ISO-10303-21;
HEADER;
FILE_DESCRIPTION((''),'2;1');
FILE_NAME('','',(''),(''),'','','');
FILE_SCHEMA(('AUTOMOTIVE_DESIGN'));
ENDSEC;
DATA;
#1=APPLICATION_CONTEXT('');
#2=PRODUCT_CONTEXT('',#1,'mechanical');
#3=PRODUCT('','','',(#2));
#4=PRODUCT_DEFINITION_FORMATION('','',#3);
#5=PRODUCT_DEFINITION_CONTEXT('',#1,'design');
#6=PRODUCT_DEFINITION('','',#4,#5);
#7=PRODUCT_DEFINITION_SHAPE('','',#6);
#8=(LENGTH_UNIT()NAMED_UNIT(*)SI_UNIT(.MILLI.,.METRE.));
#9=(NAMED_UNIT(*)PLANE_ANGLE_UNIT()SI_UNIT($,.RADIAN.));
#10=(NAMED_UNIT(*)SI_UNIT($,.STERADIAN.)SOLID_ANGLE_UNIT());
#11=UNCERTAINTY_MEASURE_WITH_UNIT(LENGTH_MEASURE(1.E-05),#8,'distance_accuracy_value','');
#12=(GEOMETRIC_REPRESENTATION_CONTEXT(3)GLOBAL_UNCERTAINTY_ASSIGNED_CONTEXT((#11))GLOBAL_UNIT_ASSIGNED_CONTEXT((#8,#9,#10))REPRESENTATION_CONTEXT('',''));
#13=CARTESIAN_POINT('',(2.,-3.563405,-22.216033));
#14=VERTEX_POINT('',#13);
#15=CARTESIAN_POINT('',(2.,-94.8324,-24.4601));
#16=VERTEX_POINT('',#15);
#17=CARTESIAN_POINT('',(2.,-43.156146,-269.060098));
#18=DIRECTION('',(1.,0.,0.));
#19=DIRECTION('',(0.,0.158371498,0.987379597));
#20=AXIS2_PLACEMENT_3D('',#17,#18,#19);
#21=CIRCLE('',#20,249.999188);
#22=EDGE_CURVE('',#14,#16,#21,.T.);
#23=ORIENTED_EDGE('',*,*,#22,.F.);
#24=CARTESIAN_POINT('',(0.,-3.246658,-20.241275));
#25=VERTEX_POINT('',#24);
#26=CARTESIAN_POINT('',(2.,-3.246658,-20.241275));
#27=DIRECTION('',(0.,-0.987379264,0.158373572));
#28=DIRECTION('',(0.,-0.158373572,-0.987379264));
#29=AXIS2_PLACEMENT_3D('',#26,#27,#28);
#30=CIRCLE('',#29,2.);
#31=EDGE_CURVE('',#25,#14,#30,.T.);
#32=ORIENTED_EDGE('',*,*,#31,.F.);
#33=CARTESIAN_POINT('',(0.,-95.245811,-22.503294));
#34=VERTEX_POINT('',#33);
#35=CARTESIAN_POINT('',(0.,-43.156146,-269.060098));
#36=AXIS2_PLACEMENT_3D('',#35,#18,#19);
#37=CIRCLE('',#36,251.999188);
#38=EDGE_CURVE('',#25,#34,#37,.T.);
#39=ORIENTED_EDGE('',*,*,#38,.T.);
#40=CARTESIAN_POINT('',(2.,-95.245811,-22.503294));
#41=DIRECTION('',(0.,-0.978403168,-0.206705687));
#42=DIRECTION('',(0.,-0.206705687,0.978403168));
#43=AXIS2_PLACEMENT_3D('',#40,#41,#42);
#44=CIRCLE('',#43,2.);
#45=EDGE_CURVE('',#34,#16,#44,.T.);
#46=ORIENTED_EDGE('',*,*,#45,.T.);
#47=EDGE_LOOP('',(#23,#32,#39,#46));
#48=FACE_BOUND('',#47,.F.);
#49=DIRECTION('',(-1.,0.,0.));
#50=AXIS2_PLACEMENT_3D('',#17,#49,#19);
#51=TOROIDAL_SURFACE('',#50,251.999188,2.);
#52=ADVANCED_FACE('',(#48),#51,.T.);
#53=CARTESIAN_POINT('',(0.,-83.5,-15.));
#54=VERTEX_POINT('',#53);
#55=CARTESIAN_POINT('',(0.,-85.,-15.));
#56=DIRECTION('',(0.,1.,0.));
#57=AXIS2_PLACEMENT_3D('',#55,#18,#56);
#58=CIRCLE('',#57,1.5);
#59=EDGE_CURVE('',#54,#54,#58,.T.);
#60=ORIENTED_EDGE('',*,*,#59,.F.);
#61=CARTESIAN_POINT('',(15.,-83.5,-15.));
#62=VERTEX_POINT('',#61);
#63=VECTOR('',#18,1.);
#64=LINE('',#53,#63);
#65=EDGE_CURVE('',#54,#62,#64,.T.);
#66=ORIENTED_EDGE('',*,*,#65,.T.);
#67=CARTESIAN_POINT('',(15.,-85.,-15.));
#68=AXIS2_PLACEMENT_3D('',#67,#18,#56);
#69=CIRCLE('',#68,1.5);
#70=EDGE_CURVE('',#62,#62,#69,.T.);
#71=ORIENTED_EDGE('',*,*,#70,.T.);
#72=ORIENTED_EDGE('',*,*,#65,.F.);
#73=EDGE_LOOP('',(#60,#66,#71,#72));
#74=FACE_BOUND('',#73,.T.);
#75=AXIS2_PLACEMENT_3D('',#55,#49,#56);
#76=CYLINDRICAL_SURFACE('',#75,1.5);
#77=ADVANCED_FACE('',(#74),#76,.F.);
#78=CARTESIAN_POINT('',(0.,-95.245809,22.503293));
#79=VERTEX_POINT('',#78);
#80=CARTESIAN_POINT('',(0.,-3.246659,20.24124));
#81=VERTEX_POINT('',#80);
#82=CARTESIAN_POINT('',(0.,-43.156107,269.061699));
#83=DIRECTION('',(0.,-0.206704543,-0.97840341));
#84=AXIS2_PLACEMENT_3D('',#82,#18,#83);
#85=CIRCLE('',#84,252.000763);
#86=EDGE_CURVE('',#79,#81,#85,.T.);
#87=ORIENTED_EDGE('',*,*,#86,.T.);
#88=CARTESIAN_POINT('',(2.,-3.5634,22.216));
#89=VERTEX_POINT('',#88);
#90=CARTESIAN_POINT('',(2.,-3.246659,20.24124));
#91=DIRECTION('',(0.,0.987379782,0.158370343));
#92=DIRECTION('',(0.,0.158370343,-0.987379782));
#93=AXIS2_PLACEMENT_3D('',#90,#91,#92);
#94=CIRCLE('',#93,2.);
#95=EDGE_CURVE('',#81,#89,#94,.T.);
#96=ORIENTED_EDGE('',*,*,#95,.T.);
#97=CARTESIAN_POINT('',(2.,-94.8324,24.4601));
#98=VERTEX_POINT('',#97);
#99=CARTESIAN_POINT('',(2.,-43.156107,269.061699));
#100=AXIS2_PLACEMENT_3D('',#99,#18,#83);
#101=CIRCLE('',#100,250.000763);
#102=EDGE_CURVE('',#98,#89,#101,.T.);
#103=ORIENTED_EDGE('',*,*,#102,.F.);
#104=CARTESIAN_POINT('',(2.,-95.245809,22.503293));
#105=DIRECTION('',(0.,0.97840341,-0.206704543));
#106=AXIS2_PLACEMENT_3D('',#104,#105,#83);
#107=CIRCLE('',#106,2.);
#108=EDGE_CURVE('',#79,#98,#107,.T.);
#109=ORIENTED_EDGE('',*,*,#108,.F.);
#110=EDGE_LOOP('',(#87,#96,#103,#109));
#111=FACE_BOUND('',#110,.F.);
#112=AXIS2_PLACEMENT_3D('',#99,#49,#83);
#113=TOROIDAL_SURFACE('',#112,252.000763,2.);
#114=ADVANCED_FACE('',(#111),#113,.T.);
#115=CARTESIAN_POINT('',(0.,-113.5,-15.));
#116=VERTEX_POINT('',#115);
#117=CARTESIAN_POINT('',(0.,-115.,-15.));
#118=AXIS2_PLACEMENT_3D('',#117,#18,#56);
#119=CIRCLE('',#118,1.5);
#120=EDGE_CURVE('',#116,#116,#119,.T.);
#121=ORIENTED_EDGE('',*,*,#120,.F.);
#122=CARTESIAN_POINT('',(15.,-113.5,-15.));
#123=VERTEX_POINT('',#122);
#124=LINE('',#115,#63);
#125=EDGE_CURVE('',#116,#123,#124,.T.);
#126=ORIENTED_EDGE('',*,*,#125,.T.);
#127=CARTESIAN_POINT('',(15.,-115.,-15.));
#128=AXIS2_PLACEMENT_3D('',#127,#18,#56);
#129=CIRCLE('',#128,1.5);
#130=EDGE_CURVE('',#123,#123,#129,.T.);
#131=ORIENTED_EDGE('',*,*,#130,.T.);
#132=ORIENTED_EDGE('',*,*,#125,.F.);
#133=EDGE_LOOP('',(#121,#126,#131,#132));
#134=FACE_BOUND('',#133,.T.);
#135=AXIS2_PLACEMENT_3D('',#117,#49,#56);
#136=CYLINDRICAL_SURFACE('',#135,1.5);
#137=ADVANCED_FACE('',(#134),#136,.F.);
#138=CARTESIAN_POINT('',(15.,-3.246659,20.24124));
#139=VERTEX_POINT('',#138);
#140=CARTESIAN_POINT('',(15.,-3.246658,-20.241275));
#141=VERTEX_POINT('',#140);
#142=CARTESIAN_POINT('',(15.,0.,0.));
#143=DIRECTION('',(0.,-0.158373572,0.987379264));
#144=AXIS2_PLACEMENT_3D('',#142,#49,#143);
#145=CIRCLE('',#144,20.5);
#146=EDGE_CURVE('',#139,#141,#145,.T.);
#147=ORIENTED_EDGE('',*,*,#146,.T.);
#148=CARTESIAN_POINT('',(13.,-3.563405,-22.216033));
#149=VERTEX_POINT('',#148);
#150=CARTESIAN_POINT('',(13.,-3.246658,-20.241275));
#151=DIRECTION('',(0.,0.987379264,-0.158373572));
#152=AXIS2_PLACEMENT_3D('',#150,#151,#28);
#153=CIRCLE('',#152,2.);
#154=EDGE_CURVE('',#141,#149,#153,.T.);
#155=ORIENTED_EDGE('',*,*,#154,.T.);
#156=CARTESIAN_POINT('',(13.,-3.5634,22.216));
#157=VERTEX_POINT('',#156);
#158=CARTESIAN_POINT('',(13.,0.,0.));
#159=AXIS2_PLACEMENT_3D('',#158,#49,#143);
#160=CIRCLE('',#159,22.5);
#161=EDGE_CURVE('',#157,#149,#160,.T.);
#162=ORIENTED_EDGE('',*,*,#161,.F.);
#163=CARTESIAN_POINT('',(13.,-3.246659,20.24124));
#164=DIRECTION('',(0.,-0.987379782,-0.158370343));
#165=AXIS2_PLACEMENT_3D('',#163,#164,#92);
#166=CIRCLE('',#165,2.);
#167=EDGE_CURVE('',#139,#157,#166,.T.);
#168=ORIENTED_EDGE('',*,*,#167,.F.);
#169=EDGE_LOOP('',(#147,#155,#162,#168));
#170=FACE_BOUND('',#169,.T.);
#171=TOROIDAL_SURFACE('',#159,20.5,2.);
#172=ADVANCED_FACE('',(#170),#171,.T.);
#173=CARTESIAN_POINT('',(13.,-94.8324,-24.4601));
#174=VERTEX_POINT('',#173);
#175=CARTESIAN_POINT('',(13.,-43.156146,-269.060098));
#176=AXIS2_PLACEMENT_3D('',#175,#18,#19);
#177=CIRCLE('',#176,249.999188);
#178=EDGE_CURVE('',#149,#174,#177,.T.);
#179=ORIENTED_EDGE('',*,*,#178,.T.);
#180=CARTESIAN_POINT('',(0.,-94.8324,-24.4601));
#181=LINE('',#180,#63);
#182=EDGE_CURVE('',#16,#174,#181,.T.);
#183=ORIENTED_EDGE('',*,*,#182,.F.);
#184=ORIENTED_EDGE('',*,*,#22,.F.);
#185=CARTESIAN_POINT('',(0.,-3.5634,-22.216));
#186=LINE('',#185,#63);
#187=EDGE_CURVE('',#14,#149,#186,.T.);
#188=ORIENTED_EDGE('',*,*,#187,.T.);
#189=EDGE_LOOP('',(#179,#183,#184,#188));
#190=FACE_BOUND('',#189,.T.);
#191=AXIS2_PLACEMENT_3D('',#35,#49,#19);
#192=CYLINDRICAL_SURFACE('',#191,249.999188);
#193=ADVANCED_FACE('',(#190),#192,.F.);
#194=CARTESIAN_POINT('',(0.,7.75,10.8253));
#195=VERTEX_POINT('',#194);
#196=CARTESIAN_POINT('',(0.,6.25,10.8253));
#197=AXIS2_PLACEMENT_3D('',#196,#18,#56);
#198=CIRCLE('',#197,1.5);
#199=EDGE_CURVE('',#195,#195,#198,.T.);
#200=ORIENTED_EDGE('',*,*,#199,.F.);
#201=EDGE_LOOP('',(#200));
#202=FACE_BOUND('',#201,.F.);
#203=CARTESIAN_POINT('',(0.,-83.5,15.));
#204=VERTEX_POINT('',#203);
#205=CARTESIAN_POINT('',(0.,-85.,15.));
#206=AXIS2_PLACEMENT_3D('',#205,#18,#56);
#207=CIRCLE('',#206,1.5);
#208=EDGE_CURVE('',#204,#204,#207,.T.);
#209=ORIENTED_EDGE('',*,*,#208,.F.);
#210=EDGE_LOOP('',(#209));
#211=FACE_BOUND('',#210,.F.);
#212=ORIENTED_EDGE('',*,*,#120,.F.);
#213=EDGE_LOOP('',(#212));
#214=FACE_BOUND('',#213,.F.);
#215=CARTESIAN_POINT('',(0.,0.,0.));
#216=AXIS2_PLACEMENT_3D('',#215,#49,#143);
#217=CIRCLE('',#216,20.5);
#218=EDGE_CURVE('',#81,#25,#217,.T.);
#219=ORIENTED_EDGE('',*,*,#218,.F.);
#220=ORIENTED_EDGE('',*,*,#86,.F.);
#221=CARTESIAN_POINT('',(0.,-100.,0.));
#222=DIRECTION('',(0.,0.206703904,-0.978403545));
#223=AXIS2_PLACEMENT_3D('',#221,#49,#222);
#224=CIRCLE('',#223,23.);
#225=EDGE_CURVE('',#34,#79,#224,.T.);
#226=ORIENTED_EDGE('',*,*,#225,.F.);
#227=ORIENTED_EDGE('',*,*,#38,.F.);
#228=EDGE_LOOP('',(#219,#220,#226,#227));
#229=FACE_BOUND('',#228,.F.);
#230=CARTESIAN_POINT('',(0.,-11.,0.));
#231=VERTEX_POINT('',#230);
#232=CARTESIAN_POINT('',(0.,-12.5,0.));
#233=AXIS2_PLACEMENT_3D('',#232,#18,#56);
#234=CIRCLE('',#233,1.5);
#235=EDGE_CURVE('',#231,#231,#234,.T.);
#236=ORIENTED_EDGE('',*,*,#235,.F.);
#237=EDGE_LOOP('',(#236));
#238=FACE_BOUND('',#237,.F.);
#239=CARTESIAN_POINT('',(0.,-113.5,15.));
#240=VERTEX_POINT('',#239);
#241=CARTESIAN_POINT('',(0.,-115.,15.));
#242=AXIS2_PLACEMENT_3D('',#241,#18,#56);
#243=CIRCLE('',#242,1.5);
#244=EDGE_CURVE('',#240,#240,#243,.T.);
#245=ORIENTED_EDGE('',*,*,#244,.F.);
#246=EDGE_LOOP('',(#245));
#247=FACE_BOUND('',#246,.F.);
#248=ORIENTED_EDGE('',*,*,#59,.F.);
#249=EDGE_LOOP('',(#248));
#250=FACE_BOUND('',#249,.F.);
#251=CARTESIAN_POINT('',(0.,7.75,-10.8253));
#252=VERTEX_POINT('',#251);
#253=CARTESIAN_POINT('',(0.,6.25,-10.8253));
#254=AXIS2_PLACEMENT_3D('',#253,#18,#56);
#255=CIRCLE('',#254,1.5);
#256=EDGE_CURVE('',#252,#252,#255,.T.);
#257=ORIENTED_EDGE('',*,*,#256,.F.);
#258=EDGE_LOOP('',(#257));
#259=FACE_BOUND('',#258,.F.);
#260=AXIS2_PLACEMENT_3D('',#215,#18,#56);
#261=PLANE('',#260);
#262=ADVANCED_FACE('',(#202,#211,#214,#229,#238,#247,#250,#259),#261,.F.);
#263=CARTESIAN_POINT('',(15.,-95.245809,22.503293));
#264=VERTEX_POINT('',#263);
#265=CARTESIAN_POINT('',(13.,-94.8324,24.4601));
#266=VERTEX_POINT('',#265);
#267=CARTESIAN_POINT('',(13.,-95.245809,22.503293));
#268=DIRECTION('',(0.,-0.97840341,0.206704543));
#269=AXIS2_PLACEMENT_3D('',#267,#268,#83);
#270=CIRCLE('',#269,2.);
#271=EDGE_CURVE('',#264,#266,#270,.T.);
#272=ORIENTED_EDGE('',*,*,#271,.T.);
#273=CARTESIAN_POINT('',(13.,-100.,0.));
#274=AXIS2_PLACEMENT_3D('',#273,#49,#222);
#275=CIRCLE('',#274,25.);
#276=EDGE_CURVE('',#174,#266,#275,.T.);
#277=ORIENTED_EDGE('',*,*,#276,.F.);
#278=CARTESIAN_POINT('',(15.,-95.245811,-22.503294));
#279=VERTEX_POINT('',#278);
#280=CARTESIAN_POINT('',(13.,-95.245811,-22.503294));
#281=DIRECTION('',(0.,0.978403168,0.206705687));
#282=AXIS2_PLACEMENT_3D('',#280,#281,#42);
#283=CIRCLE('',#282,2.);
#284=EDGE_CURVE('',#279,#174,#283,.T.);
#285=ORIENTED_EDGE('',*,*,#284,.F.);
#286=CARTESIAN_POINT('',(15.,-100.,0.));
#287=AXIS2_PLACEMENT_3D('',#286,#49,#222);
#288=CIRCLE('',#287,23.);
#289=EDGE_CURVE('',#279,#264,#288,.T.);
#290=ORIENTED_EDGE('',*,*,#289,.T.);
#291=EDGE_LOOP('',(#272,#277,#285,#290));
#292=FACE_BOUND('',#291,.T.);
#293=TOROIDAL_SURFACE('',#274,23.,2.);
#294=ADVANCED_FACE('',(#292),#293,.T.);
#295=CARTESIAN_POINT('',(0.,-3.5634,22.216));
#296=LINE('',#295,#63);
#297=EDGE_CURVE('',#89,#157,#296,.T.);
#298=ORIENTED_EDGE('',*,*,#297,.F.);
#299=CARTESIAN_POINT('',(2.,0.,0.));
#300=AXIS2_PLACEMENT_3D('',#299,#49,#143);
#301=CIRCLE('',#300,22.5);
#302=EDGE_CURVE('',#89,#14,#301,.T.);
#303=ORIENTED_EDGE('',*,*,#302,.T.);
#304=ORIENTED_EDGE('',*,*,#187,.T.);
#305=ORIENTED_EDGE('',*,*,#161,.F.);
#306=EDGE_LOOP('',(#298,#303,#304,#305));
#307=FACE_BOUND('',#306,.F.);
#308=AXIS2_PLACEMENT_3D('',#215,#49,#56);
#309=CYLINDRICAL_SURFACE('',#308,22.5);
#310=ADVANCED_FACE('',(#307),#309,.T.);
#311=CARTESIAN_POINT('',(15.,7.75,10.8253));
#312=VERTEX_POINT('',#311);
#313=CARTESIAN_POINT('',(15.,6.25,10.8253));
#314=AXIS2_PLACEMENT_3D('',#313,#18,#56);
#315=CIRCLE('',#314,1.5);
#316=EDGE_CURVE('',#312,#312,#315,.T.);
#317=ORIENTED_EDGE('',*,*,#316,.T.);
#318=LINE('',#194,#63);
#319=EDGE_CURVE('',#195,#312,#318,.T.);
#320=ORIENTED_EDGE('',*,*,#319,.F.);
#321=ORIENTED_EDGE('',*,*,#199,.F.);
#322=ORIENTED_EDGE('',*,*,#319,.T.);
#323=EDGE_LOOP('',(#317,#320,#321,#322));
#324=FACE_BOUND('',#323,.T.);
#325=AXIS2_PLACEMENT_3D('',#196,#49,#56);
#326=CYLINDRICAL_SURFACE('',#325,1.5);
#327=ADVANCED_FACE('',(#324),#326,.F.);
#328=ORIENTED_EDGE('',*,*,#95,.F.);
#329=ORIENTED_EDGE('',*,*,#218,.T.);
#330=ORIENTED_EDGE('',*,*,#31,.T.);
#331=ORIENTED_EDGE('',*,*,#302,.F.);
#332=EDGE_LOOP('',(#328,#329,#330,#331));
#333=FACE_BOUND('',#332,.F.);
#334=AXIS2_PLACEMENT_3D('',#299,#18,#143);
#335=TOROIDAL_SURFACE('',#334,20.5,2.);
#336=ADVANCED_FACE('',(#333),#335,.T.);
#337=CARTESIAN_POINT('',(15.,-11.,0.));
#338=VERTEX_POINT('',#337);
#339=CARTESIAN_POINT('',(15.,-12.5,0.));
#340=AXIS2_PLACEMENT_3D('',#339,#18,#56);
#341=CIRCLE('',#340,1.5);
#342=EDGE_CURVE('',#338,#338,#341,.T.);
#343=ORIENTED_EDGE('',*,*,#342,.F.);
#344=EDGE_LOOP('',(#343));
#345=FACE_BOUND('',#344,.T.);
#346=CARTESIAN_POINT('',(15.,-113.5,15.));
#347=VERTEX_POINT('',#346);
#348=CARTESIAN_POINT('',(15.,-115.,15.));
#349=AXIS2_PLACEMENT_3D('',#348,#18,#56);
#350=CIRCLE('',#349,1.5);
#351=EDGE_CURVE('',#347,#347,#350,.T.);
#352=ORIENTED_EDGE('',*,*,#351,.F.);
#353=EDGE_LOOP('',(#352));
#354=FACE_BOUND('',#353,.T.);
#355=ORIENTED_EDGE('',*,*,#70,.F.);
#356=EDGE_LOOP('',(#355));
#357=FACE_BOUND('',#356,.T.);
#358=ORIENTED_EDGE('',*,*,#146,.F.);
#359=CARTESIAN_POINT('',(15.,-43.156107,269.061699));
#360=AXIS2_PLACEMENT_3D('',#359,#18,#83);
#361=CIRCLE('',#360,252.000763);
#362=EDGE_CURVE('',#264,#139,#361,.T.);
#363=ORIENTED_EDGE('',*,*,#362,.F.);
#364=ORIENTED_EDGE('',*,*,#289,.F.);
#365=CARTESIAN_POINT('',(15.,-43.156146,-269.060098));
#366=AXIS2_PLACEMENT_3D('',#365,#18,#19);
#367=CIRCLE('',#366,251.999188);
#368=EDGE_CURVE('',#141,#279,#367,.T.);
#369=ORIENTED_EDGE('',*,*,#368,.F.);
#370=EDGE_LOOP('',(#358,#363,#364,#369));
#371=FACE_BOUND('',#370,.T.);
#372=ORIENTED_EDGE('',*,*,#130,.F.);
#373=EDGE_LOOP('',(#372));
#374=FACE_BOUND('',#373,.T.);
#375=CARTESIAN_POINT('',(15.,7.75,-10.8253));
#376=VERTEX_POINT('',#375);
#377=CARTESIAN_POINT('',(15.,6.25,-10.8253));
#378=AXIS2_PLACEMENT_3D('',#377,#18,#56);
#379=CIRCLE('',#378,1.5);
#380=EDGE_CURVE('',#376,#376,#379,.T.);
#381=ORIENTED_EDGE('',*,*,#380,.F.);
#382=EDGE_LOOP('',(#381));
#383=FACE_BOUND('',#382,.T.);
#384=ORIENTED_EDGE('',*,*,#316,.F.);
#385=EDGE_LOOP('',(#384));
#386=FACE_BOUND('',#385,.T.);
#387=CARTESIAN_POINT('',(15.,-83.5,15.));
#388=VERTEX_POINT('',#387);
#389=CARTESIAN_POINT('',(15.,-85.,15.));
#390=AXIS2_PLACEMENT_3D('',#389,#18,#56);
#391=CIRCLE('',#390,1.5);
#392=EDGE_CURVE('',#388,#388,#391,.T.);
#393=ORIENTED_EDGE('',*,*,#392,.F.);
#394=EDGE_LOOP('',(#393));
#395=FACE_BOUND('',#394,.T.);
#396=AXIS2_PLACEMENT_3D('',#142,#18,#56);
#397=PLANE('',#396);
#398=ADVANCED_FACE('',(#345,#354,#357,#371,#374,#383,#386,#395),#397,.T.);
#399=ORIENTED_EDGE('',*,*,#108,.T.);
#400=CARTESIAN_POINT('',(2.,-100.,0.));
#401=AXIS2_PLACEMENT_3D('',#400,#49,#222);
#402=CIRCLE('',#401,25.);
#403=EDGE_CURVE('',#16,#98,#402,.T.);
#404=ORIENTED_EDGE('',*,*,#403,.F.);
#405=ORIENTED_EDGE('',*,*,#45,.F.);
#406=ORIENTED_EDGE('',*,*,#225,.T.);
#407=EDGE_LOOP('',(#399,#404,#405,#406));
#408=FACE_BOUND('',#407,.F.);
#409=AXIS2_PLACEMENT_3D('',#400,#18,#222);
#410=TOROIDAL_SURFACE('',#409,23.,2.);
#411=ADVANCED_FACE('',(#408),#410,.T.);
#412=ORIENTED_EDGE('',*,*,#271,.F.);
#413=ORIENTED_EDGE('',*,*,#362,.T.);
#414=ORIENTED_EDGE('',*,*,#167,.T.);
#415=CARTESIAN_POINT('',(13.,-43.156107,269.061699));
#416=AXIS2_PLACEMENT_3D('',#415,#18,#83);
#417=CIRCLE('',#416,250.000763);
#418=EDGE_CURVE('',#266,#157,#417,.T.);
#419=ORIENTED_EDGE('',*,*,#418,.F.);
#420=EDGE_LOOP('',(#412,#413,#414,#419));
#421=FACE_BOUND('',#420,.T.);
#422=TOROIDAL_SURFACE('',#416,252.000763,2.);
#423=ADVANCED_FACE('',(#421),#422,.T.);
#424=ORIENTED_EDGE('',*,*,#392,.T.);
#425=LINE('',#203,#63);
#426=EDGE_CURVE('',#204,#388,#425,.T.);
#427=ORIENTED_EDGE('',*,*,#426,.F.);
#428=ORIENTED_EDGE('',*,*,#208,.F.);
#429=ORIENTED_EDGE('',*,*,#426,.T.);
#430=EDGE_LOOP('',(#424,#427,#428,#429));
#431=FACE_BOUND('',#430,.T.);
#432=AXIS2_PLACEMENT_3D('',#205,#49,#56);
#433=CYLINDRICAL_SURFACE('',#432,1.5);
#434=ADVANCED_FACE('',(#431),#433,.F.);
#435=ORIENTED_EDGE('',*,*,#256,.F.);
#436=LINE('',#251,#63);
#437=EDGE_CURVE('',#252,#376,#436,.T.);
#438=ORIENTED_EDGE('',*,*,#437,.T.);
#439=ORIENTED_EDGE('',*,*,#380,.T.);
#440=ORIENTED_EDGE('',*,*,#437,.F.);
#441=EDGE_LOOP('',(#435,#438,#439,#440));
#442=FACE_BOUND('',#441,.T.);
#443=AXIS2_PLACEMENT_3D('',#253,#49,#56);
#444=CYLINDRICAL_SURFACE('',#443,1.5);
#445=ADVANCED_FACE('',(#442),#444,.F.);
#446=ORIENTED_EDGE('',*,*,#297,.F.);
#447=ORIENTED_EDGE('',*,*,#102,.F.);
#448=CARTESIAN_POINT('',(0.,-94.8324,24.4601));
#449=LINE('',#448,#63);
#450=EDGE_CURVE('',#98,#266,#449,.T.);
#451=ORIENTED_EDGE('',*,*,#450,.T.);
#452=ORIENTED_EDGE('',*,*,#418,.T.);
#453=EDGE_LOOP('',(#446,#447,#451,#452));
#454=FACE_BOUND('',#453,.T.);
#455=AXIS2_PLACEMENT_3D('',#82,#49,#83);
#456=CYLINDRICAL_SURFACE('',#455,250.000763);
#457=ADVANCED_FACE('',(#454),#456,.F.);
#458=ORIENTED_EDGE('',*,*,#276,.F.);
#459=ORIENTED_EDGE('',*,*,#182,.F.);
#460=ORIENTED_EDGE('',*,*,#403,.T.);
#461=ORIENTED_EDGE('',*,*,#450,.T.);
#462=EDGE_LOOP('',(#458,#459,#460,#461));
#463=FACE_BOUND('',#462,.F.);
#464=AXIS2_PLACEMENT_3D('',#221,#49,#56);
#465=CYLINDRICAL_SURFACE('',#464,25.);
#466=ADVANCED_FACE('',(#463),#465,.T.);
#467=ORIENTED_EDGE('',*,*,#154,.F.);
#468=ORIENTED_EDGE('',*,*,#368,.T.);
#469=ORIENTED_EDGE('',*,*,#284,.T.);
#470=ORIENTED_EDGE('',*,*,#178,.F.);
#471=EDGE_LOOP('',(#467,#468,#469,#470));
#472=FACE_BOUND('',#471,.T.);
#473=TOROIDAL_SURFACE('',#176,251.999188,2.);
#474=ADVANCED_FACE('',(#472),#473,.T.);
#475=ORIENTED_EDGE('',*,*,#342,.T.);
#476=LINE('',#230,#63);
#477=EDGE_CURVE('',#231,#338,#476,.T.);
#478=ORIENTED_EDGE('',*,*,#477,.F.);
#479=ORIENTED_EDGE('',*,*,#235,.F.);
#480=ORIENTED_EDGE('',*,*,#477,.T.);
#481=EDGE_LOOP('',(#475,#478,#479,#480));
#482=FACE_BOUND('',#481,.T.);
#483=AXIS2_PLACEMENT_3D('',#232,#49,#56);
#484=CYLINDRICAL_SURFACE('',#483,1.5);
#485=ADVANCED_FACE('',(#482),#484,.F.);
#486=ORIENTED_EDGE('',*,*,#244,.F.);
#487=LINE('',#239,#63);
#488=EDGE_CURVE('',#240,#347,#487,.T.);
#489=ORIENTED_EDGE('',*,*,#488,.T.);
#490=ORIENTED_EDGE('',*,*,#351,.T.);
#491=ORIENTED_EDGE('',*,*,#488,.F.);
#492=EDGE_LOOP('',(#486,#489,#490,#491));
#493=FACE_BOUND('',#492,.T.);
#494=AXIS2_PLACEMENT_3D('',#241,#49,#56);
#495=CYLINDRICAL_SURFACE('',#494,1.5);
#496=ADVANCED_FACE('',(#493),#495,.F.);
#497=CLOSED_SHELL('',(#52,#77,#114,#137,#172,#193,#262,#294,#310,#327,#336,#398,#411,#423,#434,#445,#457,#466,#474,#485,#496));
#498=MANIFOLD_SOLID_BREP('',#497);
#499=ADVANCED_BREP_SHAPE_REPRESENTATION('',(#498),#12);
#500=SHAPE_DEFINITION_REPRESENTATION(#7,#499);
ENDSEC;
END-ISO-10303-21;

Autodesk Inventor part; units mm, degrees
ref_plane "YZ Plane" through (0, 0, 0) normal (1, 0, 0) x (0, 1, 0)
ref_plane "XZ Plane" through (0, 0, 0) normal (0, 1, 0) x (-1, 0, 0)
ref_plane "XY Plane" through (0, 0, 0) normal (0, 0, 1) x (1, 0, 0)
sketch "Sketch1" plane through (0, 0, 0) normal (1, 0, 0) x (0, 1, 0)
  circle A0 centre (0, 0) radius 12.5 construction
  line L0 (6.25, 10.8253) -> (0, 0) construction
  line L1 (0, 0) -> (-12.5, 0) construction
  line L2 (0, 0) -> (6.25, -10.8253) construction
  line L3 (0, 12.5) -> (0, -12.5) construction
  circle A1 centre (6.25, 10.8253) radius 1.5
  circle A2 centre (6.25, -10.8253) radius 1.5
  circle A3 centre (-12.5, 0) radius 1.5
  circle A4 centre (0, 0) radius 22.5
  circle A5 centre (-100, 0) radius 25
  circle A6 centre (-100, 0) radius 21.2132 construction
  arc A7 (-94.8324, 24.4601) -> (-3.5634, 22.216) centre (-43.1562, 269.0609) ccw
  arc A8 (-3.5634, -22.216) -> (-94.8324, -24.4601) centre (-43.1562, -269.0609) ccw
  line L4 (-100, 25) -> (-100, -25) construction
  line L5 (-75, 0) -> (-125, 0) construction
  line L6 (-82.3223, 17.6777) -> (-117.6777, -17.6777) construction
  line L7 (-82.3223, -17.6777) -> (-117.6777, 17.6777) construction
  circle A9 centre (-85, 15) radius 1.5
  circle A10 centre (-85, -15) radius 1.5
  circle A11 centre (-115, -15) radius 1.5
  circle A12 centre (-115, 15) radius 1.5
  point P0 (-94.8324, -24.4601)
  point P1 (-3.5634, -22.216)
  dimension "d4" = 45
  dimension "d6" = 50
  dimension "d0" = 25
  dimension "d1" = 30
  dimension "d2" = 30
  dimension "d3" = 3
  dimension "d8" = 100
  dimension "d9" = 500
  dimension "d10" = 45
  dimension "d11" = 45
  dimension "d12" = 3
  dimension "d15" = 30
extrude "Extrusion1" add sketch "Sketch1" along normal blind 15
fillet "Fillet1" radius 2 8 edges at (15, -49.3012, 19.1365) (15, -125, 0) (15, -49.3012, -19.1365) (15, 22.5, 0) (0, -49.3012, 19.1365) (0, -125, 0) (0, -49.3012, -19.1365) (0, 22.5, 0)
properties part number "leg_demo_8"
